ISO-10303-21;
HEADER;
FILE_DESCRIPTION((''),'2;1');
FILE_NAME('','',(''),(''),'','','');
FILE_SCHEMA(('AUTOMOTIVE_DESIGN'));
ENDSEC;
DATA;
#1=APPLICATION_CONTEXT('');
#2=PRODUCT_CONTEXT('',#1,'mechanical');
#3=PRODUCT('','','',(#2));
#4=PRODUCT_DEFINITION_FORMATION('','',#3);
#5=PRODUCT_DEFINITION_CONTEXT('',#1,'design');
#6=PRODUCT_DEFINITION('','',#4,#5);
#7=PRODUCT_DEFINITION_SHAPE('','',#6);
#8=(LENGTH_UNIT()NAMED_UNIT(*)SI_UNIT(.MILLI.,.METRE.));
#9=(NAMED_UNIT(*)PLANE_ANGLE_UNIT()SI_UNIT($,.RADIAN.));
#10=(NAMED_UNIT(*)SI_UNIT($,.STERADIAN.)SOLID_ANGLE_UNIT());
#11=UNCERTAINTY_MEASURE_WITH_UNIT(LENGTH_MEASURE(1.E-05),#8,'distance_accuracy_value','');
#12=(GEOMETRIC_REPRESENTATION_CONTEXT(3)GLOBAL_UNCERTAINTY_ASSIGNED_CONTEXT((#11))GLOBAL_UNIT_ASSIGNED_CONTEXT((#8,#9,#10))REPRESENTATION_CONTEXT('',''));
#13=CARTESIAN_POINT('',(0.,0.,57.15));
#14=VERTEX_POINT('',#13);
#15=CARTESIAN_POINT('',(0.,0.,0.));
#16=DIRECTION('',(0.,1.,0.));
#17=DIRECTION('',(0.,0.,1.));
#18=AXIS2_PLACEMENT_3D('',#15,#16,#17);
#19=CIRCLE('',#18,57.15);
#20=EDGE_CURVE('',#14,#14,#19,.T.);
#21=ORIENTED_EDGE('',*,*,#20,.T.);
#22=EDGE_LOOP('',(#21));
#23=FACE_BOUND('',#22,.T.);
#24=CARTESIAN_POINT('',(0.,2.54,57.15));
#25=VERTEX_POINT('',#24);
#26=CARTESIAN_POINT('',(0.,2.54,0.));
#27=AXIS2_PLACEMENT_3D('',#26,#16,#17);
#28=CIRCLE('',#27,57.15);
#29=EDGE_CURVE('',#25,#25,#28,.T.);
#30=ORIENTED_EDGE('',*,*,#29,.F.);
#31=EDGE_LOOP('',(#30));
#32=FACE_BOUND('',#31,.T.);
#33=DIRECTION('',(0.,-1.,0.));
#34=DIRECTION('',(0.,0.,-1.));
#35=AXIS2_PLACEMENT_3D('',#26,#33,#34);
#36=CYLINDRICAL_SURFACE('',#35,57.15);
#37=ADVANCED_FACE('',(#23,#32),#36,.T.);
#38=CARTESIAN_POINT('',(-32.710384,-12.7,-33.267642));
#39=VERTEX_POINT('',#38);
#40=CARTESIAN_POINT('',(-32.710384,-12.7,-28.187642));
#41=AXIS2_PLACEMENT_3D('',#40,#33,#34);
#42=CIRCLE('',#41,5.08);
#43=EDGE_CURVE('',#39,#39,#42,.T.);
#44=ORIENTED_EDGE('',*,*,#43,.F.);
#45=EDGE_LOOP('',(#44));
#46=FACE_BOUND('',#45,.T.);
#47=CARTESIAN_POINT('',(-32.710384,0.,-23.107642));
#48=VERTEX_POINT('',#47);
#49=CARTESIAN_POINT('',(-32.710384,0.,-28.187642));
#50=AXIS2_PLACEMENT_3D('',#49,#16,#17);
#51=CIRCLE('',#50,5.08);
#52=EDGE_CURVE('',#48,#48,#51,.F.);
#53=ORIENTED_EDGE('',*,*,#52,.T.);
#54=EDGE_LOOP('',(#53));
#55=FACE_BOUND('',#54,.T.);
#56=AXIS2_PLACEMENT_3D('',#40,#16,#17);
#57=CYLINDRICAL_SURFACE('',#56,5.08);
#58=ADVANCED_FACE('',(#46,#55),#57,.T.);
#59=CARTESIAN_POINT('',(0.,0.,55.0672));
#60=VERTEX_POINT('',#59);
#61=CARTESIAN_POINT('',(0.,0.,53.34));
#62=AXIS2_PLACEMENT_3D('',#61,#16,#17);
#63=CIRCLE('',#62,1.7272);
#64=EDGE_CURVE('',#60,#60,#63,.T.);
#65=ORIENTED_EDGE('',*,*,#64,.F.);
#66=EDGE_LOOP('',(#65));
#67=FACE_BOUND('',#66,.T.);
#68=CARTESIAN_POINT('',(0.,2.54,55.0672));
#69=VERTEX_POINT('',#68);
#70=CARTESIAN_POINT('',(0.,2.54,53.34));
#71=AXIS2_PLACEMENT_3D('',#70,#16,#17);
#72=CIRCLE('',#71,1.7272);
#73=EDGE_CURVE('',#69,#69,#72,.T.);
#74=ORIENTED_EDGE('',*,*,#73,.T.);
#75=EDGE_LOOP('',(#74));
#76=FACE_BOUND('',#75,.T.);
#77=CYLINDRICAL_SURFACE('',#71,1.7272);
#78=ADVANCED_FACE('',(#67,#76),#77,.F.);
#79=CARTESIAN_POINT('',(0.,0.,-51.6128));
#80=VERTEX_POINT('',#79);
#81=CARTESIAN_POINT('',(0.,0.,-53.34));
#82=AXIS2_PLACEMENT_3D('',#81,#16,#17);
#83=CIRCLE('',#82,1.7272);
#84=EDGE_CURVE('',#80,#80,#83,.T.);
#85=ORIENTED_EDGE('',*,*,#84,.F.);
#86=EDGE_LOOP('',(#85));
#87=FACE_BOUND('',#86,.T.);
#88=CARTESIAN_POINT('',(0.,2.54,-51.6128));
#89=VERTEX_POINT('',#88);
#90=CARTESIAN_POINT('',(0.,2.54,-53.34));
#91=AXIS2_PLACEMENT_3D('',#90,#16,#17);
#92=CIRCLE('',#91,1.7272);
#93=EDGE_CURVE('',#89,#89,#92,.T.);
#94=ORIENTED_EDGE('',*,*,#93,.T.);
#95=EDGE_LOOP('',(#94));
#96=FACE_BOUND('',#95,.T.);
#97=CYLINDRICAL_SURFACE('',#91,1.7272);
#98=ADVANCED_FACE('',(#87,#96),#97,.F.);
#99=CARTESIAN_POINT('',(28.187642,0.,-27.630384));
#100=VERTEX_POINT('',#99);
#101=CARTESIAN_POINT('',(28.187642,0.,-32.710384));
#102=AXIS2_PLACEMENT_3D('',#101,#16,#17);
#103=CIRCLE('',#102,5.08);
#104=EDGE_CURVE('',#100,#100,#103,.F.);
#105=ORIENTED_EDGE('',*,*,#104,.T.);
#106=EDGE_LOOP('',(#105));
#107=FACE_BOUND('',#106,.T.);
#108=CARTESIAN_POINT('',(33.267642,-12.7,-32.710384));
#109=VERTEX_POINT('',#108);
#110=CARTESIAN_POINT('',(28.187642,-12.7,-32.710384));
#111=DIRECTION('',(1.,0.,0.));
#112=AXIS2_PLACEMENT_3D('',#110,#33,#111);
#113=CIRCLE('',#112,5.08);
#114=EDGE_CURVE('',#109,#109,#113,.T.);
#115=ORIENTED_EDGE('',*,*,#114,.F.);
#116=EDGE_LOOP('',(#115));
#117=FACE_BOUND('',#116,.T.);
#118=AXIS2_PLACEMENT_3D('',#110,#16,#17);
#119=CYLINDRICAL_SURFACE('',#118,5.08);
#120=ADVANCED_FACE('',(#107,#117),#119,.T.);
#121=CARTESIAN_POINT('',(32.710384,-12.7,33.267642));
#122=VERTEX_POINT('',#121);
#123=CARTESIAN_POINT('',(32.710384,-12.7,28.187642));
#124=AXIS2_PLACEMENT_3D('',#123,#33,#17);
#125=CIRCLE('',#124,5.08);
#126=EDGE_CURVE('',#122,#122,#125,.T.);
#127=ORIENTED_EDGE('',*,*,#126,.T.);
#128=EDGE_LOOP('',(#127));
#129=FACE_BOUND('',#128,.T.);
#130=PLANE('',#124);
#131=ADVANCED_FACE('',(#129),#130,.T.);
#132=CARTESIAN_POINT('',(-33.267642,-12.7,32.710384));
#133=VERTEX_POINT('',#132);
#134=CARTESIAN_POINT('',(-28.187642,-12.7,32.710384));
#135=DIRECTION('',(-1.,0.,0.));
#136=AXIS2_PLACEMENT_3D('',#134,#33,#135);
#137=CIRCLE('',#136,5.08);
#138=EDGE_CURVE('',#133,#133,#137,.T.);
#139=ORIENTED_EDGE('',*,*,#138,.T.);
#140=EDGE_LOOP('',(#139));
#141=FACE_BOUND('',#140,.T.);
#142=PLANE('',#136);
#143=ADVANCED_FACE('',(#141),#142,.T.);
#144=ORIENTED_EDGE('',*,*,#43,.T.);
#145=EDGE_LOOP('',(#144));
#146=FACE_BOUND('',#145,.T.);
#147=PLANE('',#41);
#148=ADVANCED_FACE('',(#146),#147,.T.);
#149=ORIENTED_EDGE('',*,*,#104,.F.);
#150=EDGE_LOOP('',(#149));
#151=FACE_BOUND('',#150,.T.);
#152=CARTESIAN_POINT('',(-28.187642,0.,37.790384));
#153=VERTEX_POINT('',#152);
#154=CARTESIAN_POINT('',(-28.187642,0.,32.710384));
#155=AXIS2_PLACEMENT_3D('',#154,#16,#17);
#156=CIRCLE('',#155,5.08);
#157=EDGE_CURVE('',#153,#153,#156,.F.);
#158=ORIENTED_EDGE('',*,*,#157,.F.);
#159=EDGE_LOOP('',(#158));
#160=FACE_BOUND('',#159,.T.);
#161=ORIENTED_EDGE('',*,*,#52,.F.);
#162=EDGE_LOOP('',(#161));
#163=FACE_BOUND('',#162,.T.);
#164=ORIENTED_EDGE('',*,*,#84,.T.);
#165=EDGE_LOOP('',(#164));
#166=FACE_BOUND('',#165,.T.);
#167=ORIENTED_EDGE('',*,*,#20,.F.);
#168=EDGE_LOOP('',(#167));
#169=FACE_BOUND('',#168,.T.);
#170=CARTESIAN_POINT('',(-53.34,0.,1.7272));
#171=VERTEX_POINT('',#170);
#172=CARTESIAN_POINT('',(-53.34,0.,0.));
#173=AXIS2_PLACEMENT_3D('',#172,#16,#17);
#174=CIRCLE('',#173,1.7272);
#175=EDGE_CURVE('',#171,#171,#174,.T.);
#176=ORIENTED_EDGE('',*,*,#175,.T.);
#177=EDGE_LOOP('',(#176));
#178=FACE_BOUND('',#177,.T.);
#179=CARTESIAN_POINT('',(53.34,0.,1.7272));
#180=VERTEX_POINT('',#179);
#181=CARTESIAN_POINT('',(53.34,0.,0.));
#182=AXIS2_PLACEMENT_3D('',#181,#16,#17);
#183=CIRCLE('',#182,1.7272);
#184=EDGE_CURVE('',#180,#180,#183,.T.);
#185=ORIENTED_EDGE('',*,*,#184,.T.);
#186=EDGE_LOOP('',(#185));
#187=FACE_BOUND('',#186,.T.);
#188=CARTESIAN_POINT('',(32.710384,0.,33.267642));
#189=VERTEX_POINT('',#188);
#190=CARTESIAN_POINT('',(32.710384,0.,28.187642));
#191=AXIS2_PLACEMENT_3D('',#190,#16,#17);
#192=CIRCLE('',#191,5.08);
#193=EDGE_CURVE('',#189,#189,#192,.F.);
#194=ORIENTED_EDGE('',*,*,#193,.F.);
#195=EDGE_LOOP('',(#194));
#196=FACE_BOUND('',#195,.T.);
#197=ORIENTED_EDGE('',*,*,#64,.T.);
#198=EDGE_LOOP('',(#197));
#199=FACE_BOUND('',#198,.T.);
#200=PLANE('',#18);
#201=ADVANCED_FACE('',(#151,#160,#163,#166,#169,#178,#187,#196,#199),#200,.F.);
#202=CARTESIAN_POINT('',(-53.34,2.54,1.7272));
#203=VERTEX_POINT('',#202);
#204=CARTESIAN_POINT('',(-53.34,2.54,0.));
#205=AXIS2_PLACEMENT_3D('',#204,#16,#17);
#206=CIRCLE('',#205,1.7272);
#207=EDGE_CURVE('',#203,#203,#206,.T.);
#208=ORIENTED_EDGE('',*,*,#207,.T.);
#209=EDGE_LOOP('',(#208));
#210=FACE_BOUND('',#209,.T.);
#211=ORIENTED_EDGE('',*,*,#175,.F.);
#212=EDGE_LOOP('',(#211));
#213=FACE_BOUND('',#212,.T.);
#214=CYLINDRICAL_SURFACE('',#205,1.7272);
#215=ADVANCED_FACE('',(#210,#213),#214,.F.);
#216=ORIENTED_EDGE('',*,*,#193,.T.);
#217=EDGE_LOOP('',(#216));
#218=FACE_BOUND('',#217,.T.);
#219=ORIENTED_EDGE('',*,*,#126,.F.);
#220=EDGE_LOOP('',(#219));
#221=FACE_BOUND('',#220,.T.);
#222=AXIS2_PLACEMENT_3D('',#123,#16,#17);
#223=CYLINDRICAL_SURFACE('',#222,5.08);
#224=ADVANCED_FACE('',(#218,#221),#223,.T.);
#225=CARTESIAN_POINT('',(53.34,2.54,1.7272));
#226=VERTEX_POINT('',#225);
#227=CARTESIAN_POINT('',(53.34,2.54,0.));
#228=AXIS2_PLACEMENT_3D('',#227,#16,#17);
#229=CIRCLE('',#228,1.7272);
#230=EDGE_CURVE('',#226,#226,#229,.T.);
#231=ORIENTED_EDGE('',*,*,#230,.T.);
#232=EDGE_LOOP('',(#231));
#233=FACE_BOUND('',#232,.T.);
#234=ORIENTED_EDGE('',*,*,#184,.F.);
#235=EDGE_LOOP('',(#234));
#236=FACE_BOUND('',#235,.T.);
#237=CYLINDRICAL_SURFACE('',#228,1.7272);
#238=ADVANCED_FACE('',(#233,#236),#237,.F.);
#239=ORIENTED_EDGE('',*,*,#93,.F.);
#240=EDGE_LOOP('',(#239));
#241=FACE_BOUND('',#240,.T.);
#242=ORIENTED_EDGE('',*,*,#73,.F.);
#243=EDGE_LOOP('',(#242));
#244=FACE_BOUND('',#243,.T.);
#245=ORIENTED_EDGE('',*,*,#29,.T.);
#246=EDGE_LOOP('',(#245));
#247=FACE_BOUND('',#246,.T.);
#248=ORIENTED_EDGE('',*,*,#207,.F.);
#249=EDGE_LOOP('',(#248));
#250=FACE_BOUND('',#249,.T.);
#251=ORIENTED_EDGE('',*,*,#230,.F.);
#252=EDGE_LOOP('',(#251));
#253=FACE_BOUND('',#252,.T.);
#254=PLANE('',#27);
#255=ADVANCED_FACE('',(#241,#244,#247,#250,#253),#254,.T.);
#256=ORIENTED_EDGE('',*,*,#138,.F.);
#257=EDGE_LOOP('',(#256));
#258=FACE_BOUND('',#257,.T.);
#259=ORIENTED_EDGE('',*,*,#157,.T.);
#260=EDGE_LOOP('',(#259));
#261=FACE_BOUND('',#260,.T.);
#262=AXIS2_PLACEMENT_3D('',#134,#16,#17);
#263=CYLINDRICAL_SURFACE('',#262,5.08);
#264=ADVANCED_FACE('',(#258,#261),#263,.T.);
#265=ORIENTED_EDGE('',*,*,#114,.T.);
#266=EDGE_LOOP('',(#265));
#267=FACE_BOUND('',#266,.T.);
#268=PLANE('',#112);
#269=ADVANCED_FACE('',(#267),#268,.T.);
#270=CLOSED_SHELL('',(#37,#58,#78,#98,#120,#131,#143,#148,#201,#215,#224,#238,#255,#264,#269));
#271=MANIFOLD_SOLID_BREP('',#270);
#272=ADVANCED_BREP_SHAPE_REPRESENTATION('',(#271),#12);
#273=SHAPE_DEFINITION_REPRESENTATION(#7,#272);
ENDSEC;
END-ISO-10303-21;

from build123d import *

# Parameters (mm, degrees)
SKETCH2_R             = 57.15
BOSS_EXTRUDE1_DEPTH   = 2.54
SKETCH3_R             = 5.08
BOSS_EXTRUDE2_DEPTH   = 12.7
CIRPATTERN1_COUNT     = 4
F_8_32_TAPPED_HOLE1_D = 3.4544
CIRPATTERN2_COUNT     = 4


with BuildPart() as part:
    # Sketch2 → Boss-Extrude1 (new body)
    with BuildSketch(Plane(origin=(0, 0, 0), x_dir=(1, 0, 0), z_dir=(0, 1, 0))):
        with Locations(Location((0, 0, 0), (0, 0, 270))):
            Circle(SKETCH2_R)
    extrude(amount=BOSS_EXTRUDE1_DEPTH)

    # Sketch3 → Boss-Extrude2 (add)
    with BuildSketch(Plane.XZ):
        with Locations(Location((-32.710383859, -28.187642467, 0), (0, 0, 90))):
            Circle(SKETCH3_R)
    boss_extrude2 = extrude(amount=BOSS_EXTRUDE2_DEPTH)

    # CirPattern1: Boss-Extrude2 ×4 about axis
    cirpattern1_axis = Axis((0, 0, 0), (0, 1, 0))
    for i in range(1, CIRPATTERN1_COUNT):
        add(boss_extrude2.rotate(cirpattern1_axis, i * 360 / CIRPATTERN1_COUNT))

    # #8-32 Tapped Hole1 (through all)
    with Locations(Plane(origin=(0, 2.54, 0), x_dir=(1, 0, 0), z_dir=(0, 1, 0))):
        with Locations((-53.34, 0)):
            f_8_32_tapped_hole1 = Hole(F_8_32_TAPPED_HOLE1_D / 2)

    # CirPattern2: #8-32 Tapped Hole1 ×4 about axis
    cirpattern2_axis = Axis((0, 0, 0), (0, 1, 0))
    for i in range(1, CIRPATTERN2_COUNT):
        add(f_8_32_tapped_hole1.rotate(cirpattern2_axis, i * 360 / CIRPATTERN2_COUNT), mode=Mode.SUBTRACT)


solid = part.part
